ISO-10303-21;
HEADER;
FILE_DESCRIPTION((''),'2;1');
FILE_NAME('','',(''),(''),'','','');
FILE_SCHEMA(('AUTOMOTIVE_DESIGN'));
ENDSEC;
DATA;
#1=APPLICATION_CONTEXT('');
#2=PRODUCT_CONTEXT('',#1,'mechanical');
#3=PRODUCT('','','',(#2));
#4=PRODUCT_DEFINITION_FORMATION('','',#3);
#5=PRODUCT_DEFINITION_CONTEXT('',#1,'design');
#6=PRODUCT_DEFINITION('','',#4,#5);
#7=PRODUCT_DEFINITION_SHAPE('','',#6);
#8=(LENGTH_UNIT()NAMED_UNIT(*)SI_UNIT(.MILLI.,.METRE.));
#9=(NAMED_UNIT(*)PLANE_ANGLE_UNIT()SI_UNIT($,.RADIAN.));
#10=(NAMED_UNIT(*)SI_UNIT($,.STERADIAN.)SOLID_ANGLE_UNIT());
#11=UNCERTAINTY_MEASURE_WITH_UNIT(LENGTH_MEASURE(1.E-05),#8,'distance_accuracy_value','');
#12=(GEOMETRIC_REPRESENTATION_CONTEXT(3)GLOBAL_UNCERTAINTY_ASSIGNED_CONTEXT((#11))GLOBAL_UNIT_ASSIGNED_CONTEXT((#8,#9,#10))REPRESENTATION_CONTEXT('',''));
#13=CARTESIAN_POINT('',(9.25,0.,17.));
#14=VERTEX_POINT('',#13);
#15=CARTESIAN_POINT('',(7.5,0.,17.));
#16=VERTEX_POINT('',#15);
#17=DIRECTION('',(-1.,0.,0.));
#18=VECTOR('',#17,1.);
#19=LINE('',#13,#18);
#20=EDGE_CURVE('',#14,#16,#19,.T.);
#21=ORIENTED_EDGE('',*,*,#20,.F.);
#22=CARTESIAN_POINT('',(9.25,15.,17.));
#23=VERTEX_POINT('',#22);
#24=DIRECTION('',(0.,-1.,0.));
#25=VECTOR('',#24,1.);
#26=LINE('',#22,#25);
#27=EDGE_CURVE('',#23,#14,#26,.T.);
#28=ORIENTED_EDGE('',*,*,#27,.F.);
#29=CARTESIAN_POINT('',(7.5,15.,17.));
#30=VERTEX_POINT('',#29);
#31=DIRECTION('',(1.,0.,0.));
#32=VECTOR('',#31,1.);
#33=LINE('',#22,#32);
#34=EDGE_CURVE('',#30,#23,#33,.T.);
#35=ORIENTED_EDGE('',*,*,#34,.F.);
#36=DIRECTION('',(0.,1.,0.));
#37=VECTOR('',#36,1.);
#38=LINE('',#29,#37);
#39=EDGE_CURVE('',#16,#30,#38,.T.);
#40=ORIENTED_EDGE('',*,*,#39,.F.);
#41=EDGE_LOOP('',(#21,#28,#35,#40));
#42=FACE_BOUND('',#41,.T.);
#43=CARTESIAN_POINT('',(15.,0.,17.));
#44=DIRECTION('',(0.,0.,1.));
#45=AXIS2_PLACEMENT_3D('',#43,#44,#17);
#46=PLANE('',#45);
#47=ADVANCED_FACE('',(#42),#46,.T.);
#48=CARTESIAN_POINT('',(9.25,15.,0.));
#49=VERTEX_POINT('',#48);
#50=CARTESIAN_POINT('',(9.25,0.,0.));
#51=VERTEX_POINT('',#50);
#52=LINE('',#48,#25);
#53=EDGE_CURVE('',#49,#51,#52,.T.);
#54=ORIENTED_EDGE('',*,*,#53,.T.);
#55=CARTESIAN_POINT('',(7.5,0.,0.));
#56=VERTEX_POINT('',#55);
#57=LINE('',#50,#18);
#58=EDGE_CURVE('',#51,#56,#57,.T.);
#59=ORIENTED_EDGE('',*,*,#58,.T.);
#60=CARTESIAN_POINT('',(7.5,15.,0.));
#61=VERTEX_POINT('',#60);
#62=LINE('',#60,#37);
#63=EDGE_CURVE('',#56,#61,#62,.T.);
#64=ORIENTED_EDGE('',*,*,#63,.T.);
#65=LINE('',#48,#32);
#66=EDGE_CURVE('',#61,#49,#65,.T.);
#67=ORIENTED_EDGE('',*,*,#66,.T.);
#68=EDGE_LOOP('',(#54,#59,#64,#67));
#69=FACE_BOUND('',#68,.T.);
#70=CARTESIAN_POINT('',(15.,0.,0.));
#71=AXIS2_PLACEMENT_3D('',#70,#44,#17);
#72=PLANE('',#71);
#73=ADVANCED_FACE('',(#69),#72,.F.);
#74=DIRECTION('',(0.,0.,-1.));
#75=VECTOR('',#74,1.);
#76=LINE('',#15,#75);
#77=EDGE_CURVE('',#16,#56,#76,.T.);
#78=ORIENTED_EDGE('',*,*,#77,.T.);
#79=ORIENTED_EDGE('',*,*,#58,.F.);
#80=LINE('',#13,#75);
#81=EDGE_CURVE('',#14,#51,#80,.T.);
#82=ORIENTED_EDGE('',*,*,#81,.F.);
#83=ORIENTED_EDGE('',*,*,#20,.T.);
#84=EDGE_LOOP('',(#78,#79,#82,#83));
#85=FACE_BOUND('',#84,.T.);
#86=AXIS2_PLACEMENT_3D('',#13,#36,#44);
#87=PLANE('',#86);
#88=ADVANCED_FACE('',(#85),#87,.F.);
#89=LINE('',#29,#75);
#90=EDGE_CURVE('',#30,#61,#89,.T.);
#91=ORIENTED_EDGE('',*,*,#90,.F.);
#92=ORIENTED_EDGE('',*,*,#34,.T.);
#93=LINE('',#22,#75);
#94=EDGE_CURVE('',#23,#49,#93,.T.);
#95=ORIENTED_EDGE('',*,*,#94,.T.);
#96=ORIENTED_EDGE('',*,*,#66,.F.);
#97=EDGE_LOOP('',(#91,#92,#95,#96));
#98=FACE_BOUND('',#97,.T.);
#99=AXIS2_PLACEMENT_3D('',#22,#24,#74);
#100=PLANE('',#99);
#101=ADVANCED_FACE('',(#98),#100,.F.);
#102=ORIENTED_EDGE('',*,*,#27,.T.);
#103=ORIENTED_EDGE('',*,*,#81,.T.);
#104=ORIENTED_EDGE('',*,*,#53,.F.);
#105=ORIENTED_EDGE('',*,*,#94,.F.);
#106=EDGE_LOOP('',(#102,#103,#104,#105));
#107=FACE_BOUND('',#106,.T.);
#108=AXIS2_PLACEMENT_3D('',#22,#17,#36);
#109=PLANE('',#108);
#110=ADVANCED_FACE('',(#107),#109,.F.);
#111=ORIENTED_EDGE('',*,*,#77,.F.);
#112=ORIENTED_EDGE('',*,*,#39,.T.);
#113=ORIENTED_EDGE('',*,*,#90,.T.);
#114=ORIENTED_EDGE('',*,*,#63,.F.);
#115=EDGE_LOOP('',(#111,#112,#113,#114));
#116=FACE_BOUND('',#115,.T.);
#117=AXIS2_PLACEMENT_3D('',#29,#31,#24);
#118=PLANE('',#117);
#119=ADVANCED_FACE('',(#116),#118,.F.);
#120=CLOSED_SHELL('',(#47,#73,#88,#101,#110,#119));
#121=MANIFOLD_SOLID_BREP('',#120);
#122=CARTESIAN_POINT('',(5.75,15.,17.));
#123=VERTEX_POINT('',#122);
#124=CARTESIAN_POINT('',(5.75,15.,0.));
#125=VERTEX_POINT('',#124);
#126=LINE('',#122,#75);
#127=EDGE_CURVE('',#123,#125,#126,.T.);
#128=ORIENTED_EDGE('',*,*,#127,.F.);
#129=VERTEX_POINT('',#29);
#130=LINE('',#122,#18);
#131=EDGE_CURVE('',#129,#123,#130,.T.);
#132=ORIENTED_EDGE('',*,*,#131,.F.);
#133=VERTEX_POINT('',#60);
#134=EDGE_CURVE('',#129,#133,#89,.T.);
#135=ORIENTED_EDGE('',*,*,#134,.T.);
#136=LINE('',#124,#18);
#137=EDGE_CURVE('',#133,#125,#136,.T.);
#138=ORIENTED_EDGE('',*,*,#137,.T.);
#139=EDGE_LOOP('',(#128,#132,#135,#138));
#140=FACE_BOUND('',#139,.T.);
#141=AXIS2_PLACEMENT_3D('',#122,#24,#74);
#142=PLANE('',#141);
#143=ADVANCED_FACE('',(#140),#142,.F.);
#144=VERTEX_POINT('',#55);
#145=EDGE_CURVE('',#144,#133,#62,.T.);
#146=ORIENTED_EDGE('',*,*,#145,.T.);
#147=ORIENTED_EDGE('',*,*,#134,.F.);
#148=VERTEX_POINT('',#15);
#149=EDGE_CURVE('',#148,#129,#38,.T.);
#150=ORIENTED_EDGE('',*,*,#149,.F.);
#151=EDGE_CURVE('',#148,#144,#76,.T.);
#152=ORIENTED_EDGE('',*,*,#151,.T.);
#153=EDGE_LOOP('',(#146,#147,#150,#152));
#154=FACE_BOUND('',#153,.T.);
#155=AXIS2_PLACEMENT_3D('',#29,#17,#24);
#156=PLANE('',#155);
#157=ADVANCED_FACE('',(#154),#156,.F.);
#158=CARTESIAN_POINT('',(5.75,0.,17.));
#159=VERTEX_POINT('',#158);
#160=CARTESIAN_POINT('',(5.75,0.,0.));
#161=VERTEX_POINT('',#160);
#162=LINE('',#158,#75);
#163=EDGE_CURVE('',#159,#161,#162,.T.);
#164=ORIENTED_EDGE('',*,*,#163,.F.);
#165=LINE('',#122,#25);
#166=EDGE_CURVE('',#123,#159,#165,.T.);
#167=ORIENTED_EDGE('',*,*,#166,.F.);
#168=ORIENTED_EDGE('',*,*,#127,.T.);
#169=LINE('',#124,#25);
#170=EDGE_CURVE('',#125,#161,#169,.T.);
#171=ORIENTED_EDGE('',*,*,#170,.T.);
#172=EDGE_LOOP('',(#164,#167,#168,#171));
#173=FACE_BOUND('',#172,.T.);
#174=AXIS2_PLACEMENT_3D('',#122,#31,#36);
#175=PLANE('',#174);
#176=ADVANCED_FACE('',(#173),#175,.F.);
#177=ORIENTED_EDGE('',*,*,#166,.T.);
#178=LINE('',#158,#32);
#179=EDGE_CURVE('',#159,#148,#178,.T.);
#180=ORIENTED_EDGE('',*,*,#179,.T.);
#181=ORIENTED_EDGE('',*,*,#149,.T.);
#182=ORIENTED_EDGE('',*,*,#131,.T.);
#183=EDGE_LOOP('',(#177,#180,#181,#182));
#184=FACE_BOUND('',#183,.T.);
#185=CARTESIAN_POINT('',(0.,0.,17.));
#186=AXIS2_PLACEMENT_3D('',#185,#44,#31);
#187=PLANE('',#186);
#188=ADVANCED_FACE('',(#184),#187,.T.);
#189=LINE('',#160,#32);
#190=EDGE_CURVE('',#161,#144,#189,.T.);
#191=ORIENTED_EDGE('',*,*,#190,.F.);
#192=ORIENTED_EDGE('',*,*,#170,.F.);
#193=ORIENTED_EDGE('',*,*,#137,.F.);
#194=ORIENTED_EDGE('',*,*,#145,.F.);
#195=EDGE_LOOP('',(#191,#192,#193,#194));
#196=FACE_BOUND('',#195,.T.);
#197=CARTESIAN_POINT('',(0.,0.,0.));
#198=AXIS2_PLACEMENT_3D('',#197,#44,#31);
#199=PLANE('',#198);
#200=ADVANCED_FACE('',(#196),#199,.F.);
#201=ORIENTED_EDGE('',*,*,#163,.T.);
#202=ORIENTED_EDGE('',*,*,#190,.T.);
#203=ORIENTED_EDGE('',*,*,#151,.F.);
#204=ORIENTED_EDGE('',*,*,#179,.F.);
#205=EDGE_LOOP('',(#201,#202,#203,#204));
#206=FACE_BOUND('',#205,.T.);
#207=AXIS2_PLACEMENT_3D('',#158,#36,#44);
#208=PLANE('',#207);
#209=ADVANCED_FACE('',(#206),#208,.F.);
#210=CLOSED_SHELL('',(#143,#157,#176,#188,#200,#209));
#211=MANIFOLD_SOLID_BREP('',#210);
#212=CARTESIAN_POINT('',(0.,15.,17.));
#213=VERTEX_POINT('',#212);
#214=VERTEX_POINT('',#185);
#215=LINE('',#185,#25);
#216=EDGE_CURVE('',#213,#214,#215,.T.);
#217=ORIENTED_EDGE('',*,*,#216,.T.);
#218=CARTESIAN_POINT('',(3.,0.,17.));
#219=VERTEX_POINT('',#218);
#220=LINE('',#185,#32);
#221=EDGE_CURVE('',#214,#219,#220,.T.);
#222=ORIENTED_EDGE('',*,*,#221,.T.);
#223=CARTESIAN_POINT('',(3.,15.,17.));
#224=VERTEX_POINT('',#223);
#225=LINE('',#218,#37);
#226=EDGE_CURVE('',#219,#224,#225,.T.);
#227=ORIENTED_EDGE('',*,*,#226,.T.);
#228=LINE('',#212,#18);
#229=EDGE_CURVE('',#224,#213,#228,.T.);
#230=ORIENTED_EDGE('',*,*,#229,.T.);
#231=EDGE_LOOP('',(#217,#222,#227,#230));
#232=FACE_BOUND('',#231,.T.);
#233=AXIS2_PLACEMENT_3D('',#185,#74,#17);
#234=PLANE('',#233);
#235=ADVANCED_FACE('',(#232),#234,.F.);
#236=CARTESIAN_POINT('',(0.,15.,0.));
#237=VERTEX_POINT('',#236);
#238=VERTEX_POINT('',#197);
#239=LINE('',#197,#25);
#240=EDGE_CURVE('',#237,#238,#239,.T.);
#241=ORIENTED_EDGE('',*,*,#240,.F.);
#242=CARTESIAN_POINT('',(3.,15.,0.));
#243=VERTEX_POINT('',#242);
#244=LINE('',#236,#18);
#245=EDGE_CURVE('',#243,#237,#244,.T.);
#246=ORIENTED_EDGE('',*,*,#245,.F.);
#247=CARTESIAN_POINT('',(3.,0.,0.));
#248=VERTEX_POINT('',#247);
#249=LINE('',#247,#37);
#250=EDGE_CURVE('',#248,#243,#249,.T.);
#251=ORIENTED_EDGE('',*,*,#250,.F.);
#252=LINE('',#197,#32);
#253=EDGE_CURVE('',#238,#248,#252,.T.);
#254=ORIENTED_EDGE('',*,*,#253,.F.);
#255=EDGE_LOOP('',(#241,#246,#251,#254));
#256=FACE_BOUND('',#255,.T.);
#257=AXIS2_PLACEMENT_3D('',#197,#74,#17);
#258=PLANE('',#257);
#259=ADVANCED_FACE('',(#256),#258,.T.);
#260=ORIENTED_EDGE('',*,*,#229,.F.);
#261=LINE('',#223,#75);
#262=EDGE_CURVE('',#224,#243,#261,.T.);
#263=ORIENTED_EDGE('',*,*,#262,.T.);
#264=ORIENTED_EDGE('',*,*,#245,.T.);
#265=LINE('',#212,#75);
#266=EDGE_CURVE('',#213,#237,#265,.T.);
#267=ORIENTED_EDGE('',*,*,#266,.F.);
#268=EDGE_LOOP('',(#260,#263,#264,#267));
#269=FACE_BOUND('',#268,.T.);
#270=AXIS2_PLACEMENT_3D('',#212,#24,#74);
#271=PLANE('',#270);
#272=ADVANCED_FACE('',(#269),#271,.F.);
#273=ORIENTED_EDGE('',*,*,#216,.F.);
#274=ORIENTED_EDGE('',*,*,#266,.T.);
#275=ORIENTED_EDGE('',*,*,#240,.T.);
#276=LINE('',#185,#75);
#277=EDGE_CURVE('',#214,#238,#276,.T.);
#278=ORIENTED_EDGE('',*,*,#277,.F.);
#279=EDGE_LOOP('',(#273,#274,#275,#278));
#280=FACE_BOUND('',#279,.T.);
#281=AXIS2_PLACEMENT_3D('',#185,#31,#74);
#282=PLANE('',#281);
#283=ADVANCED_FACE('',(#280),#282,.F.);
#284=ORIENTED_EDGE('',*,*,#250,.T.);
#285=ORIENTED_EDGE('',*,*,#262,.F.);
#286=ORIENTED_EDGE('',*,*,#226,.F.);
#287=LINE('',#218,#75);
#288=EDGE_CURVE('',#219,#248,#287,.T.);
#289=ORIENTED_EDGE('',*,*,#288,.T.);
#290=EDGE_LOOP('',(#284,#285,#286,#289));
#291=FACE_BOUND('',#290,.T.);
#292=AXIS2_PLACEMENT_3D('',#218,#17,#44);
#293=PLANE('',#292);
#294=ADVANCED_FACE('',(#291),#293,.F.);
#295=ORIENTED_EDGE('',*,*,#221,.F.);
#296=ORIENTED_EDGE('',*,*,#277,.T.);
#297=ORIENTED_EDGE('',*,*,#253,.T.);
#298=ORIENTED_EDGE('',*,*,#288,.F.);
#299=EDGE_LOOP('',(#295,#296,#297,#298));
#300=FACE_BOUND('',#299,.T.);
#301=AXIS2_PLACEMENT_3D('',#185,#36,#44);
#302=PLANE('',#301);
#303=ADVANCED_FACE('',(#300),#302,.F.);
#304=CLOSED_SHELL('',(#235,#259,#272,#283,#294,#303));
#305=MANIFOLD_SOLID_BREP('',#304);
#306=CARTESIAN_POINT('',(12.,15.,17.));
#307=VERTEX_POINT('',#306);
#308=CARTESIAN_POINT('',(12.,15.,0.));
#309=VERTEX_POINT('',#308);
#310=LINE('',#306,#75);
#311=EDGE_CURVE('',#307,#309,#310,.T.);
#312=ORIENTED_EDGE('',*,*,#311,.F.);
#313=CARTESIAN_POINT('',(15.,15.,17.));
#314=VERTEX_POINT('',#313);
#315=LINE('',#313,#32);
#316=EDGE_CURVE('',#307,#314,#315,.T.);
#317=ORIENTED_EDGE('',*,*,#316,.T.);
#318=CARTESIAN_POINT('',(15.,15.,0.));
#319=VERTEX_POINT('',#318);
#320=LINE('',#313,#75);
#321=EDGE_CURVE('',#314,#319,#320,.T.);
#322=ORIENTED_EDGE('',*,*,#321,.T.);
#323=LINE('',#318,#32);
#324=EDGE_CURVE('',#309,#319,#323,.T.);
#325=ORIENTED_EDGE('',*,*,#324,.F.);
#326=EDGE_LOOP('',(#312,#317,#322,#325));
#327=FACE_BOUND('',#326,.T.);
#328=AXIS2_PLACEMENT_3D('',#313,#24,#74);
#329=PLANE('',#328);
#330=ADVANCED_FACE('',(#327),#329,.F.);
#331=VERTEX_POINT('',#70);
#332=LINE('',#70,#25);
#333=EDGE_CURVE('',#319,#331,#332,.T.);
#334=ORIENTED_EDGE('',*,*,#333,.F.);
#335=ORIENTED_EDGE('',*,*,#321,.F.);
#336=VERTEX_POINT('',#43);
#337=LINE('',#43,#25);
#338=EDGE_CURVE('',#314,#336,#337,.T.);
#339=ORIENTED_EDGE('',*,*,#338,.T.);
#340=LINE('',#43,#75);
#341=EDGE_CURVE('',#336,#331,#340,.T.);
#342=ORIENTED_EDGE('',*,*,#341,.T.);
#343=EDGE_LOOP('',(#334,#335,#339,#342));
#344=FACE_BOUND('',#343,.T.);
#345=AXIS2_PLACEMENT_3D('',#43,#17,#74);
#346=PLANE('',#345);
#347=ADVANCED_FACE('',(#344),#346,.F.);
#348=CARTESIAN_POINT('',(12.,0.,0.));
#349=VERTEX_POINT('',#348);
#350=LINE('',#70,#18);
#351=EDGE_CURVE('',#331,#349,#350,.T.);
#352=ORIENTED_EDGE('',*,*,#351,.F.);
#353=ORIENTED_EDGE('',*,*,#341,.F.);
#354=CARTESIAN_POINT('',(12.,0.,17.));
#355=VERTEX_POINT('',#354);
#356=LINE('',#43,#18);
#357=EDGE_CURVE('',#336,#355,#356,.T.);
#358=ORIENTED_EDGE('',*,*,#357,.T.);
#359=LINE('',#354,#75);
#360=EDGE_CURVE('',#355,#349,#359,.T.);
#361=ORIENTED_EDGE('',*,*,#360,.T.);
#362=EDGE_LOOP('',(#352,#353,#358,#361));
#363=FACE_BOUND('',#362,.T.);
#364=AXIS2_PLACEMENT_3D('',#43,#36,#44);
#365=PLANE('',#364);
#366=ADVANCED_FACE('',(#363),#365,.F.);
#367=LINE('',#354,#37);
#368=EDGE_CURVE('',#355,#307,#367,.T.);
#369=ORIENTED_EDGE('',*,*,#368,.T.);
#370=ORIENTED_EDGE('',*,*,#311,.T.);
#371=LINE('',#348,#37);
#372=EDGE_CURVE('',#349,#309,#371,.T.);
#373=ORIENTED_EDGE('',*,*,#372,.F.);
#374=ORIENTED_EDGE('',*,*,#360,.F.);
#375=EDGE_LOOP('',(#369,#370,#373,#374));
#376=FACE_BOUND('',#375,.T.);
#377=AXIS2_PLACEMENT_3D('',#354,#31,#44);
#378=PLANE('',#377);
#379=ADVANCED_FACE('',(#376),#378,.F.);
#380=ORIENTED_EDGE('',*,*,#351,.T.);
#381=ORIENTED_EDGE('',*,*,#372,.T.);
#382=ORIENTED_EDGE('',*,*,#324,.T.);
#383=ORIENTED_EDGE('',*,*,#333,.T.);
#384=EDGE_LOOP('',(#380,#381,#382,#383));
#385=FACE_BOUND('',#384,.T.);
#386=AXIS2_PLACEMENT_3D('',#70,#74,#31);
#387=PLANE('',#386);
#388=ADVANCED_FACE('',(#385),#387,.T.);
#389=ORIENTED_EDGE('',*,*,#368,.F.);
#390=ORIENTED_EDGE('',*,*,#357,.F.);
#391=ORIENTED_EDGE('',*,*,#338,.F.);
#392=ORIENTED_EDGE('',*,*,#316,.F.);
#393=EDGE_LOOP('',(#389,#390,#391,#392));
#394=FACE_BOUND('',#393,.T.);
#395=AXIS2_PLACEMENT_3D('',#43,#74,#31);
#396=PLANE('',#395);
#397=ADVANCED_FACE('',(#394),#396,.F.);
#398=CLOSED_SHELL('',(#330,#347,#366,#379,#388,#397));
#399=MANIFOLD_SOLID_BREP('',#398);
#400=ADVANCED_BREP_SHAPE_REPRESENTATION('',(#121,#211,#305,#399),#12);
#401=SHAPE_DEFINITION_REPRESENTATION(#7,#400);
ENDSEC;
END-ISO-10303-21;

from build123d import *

# Parameters (mm, degrees)
SKETCH1_W             = 3
SKETCH1_H             = 15
BOSS_EXTRUDE1_DEPTH   = 17
SKETCH1_W_2           = 1.75
BOSS_EXTRUDE1_2_DEPTH = 17


with BuildPart() as part:
    # Sketch1 → Boss-Extrude1 (new body)
    with BuildSketch(Plane.XY):
        with Locations((1.5, 7.5)):
            Rectangle(SKETCH1_W, SKETCH1_H)
    extrude(amount=BOSS_EXTRUDE1_DEPTH)


with BuildPart() as body_2:
    # Sketch1 → Boss-Extrude1 2 (new body)
    with BuildSketch(Plane.XY):
        with Locations((6.625, 7.5)):
            Rectangle(SKETCH1_W_2, SKETCH1_H)
    extrude(amount=BOSS_EXTRUDE1_2_DEPTH)


with BuildPart() as body_3:
    # Mirror1: mirrored copy
    add(body_2.part.mirror(Plane(origin=(7.5, 15, 17), x_dir=(0, 0, 1), z_dir=(-1, 0, 0))))


with BuildPart() as body_4:
    # Mirror1 2: mirrored copy
    add(part.part.mirror(Plane(origin=(7.5, 15, 17), x_dir=(0, 0, 1), z_dir=(-1, 0, 0))))


solid = Compound([part.part, body_2.part, body_3.part, body_4.part])
